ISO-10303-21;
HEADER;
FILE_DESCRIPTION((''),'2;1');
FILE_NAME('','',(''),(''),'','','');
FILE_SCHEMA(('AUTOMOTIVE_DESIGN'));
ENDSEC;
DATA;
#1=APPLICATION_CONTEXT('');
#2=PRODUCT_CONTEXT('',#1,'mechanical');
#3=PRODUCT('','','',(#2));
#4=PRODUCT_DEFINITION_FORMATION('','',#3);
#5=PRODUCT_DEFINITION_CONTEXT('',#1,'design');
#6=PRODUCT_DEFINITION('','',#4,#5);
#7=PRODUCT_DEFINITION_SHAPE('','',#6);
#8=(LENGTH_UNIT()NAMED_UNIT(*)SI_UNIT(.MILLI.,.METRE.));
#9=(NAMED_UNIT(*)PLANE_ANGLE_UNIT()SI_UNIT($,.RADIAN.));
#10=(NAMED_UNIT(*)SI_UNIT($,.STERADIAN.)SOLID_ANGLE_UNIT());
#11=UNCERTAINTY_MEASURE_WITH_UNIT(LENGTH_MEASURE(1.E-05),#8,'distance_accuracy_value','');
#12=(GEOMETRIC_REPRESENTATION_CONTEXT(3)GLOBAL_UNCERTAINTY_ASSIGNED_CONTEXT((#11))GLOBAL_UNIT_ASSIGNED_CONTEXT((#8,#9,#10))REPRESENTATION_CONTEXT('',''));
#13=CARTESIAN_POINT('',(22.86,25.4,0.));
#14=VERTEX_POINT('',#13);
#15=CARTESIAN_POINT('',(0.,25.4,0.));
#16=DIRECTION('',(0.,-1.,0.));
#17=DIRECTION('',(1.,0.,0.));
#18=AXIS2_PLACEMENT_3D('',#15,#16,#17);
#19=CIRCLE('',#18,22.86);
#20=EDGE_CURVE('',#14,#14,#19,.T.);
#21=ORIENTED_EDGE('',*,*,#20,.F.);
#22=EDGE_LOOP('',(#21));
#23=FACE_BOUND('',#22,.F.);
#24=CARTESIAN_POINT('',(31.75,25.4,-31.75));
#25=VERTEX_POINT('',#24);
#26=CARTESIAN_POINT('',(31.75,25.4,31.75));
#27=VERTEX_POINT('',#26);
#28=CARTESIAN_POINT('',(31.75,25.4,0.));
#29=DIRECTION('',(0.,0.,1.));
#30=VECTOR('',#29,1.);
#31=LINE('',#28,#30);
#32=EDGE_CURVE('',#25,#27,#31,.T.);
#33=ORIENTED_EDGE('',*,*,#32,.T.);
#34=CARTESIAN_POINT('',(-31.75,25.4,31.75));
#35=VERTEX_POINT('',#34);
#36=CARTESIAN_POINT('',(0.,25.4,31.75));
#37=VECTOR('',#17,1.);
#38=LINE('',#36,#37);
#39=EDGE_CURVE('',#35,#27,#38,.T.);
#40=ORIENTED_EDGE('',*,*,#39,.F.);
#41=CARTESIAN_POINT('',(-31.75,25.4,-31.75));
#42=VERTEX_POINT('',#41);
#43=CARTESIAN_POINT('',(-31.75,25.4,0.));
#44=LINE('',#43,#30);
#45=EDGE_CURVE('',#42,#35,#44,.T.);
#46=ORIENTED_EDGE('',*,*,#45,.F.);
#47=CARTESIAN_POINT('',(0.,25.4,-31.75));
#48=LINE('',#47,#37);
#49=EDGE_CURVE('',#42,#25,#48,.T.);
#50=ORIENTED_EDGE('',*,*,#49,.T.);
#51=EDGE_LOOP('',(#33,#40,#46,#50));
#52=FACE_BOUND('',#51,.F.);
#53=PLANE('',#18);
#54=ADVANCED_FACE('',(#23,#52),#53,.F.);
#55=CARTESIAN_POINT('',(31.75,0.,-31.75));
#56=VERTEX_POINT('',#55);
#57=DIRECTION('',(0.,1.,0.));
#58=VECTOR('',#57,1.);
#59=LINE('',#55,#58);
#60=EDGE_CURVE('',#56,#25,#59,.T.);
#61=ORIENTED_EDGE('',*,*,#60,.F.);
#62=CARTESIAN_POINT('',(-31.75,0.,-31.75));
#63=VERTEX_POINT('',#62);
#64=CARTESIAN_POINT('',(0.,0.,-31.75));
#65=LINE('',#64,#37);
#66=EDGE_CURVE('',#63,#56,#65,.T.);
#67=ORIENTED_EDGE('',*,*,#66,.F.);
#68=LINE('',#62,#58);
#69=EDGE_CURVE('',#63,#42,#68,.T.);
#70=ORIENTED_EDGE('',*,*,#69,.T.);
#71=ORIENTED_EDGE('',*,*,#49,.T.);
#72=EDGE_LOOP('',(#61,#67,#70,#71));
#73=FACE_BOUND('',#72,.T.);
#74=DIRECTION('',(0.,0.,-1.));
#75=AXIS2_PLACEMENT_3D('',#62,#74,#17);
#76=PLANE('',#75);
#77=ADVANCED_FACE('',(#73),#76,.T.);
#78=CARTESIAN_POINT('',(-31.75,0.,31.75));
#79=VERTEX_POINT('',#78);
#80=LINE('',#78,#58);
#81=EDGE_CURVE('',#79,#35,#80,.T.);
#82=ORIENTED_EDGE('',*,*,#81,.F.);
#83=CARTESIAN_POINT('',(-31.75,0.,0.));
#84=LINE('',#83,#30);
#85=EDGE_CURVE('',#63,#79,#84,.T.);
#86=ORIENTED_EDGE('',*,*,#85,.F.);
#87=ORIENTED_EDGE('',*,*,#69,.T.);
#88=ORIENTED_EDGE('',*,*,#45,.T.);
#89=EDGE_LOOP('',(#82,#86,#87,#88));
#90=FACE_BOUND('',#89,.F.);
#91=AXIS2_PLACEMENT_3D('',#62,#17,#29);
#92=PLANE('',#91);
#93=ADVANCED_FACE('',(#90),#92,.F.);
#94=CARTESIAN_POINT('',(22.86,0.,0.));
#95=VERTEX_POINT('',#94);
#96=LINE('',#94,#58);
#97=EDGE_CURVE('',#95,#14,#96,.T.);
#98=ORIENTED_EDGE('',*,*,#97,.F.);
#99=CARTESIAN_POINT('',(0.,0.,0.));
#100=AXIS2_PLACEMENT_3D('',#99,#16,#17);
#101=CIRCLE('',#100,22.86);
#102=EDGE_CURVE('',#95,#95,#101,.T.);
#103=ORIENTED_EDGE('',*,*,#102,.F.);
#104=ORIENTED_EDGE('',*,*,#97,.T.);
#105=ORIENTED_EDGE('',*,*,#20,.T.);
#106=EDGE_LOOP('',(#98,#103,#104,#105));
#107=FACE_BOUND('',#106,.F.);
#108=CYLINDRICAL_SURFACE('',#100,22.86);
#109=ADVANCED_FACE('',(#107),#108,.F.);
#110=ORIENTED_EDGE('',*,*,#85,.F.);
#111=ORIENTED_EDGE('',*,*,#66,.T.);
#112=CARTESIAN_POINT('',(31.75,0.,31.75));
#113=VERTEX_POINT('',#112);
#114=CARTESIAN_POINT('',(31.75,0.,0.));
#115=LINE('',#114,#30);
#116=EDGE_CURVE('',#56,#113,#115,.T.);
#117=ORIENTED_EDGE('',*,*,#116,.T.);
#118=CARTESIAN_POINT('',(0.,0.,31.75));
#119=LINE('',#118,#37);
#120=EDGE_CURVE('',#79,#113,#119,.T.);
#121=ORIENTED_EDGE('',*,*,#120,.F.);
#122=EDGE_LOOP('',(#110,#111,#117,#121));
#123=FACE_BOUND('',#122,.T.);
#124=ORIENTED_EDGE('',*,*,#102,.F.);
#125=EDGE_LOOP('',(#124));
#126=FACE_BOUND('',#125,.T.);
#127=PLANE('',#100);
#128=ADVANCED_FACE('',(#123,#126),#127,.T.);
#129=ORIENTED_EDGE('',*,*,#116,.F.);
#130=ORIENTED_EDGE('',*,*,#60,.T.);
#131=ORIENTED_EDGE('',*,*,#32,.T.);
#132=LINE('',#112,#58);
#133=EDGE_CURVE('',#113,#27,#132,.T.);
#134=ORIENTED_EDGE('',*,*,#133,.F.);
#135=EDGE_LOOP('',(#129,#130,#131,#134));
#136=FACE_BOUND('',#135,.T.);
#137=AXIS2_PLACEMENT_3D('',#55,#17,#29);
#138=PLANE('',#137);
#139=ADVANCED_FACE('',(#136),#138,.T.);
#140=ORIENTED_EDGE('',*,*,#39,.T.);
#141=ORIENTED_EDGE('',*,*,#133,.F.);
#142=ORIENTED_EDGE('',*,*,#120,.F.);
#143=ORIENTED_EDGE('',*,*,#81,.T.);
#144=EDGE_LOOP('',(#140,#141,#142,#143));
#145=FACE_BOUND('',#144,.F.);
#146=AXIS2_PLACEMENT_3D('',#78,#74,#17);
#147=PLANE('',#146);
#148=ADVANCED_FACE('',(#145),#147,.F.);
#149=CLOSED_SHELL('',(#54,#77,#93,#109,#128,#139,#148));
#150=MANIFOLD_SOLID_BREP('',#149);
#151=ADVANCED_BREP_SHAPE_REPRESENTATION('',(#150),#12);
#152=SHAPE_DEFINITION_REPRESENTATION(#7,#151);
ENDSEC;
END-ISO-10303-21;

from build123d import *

# Parameters (mm, degrees)
F0_W     = 63.5
F0_H     = 63.5
F0_R     = 22.86
F1_DEPTH = 25.4


with BuildPart() as f1:
    # F0 (on Front) → F1 (new body)
    with BuildSketch(Plane.XZ):
        Rectangle(F0_W, F0_H)
        Circle(F0_R, mode=Mode.SUBTRACT)
    extrude(amount=-F1_DEPTH)


solid = f1.part
